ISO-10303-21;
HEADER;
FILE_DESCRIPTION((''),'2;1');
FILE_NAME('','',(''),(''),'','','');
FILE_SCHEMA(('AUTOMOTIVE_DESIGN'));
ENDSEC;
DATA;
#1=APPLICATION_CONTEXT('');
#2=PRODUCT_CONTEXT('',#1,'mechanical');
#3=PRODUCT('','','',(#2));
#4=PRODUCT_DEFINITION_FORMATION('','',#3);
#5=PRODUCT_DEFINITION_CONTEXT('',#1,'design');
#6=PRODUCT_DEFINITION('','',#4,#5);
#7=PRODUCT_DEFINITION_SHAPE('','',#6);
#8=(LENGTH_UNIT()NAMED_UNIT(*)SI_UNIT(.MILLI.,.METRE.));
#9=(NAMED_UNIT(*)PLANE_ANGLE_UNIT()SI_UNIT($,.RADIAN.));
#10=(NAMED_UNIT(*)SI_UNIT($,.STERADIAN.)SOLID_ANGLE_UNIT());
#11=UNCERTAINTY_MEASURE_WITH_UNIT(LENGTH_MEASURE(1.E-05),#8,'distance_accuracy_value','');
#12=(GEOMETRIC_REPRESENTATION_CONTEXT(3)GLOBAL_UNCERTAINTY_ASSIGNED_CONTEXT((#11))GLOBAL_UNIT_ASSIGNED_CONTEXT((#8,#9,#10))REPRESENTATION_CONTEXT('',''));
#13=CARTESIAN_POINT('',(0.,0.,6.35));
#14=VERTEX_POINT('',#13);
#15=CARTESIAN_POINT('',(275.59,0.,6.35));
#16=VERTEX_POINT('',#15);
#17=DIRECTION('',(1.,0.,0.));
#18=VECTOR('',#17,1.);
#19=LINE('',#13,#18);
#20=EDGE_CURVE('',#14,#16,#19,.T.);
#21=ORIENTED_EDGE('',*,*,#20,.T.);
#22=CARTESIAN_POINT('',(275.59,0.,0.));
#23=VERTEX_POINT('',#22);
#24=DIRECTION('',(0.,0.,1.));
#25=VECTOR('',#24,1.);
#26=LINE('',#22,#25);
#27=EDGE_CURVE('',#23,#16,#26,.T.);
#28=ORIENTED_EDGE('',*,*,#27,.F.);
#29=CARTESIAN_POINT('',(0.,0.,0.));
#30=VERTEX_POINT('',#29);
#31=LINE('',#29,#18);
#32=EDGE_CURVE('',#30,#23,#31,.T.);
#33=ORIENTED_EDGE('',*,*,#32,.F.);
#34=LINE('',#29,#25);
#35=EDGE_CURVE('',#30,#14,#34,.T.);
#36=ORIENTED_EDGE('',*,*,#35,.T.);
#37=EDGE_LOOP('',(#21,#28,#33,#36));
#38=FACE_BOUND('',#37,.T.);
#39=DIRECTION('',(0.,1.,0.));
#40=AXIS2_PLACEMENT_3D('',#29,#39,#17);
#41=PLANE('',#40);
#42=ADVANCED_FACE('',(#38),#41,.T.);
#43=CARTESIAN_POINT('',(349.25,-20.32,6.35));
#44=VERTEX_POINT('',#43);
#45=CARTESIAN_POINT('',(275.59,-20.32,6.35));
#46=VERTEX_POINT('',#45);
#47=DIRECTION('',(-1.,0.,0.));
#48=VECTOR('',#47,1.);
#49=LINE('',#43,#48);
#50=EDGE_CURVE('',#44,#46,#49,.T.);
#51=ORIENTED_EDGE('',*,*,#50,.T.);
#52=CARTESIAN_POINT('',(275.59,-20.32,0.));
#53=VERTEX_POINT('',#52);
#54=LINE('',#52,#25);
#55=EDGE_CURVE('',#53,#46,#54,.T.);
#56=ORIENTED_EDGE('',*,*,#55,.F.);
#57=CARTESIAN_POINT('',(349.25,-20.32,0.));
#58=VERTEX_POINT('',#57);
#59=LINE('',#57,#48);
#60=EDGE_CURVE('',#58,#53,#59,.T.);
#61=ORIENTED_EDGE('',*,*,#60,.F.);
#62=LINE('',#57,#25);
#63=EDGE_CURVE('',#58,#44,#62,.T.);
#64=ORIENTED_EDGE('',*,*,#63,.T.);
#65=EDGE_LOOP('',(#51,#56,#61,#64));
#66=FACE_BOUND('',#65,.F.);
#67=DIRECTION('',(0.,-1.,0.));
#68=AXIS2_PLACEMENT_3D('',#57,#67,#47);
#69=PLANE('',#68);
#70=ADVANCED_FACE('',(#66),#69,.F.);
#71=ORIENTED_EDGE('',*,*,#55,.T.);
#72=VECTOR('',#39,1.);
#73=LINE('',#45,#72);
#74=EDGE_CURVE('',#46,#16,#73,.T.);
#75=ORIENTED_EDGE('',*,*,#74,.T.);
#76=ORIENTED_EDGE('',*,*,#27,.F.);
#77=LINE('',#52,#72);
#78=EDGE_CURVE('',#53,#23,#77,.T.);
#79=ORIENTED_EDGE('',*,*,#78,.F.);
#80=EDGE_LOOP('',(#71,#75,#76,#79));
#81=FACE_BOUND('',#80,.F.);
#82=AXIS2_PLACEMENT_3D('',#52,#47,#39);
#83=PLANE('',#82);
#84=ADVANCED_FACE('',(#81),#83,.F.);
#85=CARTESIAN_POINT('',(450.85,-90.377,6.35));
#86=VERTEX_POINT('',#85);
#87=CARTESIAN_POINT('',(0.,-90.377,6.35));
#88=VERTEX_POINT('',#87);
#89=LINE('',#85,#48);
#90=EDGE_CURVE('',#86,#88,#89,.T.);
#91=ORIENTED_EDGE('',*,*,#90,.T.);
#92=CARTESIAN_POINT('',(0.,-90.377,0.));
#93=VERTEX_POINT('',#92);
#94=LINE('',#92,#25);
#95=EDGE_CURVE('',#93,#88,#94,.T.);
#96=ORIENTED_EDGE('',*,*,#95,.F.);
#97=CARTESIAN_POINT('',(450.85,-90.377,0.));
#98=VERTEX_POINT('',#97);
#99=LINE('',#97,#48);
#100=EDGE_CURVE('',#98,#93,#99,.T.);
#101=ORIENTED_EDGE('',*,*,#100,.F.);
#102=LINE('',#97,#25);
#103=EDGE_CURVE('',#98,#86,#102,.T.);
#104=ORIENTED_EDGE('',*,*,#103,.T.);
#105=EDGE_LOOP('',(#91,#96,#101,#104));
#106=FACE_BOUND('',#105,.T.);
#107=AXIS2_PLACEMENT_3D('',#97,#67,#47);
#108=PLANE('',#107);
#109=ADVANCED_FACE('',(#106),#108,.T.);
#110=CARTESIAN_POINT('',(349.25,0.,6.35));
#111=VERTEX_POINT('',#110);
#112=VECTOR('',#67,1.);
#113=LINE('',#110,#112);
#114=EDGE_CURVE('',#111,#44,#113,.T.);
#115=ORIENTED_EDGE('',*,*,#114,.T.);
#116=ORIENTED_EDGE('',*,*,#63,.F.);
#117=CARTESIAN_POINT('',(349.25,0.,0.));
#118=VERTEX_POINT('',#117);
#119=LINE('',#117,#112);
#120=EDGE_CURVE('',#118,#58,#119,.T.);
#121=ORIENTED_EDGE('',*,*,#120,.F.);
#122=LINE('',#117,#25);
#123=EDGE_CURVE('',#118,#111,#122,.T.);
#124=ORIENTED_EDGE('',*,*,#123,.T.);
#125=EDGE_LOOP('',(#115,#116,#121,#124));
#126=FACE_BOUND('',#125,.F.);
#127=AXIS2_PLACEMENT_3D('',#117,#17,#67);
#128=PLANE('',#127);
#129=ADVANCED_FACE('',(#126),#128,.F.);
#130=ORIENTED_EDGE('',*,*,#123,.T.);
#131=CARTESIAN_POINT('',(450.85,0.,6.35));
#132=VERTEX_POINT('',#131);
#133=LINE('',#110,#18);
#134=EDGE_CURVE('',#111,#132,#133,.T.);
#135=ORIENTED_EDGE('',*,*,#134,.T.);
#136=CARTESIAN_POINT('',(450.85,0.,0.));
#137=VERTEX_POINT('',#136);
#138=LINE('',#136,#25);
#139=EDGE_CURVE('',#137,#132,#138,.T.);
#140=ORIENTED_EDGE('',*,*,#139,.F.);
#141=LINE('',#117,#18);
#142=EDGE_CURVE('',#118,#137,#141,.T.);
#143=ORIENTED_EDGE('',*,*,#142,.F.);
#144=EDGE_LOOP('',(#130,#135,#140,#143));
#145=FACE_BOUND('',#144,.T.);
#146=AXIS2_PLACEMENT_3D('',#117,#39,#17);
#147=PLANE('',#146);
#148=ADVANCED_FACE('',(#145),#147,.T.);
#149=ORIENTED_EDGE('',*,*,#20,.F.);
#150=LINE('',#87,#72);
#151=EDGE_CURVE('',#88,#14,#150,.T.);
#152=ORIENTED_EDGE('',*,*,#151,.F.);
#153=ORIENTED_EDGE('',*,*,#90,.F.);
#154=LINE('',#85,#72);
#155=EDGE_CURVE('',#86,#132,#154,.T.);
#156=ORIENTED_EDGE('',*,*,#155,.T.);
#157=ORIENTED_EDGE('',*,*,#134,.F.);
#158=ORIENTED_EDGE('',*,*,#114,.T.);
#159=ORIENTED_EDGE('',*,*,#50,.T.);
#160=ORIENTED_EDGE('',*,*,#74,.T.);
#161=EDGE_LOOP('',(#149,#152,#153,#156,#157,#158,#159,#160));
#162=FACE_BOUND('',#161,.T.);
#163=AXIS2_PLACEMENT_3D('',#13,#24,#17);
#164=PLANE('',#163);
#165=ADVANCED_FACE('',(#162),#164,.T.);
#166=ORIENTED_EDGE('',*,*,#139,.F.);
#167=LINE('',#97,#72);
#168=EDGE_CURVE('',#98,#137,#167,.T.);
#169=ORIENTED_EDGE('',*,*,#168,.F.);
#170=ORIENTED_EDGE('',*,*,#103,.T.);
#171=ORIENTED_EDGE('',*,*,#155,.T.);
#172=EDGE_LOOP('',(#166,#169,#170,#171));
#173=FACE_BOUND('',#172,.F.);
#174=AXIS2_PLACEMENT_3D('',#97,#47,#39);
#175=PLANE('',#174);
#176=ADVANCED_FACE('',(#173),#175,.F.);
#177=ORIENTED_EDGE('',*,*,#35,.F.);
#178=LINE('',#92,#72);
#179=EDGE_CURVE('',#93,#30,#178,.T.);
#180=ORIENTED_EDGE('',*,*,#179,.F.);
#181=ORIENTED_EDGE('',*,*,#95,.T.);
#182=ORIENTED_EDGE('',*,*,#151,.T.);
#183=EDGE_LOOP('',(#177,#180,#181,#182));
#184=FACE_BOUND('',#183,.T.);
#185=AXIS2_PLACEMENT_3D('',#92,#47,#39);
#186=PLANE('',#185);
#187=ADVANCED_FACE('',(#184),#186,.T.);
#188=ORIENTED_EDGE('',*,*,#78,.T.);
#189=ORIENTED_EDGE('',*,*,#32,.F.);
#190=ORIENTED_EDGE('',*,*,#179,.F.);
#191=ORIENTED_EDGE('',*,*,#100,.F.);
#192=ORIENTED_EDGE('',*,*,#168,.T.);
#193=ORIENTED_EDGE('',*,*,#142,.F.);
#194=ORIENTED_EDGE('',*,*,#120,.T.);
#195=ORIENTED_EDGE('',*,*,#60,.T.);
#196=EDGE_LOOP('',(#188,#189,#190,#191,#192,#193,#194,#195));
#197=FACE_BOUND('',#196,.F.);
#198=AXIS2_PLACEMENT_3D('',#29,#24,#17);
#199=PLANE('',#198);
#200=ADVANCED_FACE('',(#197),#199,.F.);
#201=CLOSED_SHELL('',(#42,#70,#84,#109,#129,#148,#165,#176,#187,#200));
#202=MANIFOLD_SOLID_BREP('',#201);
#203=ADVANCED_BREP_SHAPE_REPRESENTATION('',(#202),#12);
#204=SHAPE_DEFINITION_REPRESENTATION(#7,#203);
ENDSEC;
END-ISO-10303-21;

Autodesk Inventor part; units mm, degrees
ref_plane "YZ Plane" through (0, 0, 0) normal (1, 0, 0) x (0, 1, 0)
ref_plane "XZ Plane" through (0, 0, 0) normal (0, 1, 0) x (-1, 0, 0)
ref_plane "XY Plane" through (0, 0, 0) normal (0, 0, 1) x (1, 0, 0)
ref_plane "Work Plane1" through (0, 0, 0) normal (0, 0, 1) x (1, 0, 0)
sketch "Sketch1" plane through (0, 0, 0) normal (0, 0, 1) x (1, 0, 0)
  line L0 (0, 0) -> (450.85, 0) construction
  line L1 (0, -6.35) -> (450.85, -6.35) construction
  line L2 (0, -84.027) -> (450.85, -84.027) construction
  line L3 (0, -90.377) -> (450.85, -90.377) construction
  line L4 (450.85, -90.377) -> (0, -90.377)
  line L5 (0, -90.377) -> (0, 0)
  arc A0 (30.6582, -6.35) -> (0, 0) centre (0, -77.185) ccw
  line L6 (450.85, -90.377) -> (450.85, 0)
  line L7 (349.25, 0) -> (349.25, -20.32)
  line L8 (349.25, -20.32) -> (275.59, -20.32)
  line L9 (275.59, -20.32) -> (275.59, 0)
  line L10 (0, 0) -> (275.59, 0)
  line L11 (349.25, 0) -> (450.85, 0)
  dimension "d2" = 101.6
  dimension "d3" = 73.66
  dimension "d4" = 20.32
extrude "Extrusion1" add sketch "Sketch1" along normal blind 6.35
properties part number "other top"
